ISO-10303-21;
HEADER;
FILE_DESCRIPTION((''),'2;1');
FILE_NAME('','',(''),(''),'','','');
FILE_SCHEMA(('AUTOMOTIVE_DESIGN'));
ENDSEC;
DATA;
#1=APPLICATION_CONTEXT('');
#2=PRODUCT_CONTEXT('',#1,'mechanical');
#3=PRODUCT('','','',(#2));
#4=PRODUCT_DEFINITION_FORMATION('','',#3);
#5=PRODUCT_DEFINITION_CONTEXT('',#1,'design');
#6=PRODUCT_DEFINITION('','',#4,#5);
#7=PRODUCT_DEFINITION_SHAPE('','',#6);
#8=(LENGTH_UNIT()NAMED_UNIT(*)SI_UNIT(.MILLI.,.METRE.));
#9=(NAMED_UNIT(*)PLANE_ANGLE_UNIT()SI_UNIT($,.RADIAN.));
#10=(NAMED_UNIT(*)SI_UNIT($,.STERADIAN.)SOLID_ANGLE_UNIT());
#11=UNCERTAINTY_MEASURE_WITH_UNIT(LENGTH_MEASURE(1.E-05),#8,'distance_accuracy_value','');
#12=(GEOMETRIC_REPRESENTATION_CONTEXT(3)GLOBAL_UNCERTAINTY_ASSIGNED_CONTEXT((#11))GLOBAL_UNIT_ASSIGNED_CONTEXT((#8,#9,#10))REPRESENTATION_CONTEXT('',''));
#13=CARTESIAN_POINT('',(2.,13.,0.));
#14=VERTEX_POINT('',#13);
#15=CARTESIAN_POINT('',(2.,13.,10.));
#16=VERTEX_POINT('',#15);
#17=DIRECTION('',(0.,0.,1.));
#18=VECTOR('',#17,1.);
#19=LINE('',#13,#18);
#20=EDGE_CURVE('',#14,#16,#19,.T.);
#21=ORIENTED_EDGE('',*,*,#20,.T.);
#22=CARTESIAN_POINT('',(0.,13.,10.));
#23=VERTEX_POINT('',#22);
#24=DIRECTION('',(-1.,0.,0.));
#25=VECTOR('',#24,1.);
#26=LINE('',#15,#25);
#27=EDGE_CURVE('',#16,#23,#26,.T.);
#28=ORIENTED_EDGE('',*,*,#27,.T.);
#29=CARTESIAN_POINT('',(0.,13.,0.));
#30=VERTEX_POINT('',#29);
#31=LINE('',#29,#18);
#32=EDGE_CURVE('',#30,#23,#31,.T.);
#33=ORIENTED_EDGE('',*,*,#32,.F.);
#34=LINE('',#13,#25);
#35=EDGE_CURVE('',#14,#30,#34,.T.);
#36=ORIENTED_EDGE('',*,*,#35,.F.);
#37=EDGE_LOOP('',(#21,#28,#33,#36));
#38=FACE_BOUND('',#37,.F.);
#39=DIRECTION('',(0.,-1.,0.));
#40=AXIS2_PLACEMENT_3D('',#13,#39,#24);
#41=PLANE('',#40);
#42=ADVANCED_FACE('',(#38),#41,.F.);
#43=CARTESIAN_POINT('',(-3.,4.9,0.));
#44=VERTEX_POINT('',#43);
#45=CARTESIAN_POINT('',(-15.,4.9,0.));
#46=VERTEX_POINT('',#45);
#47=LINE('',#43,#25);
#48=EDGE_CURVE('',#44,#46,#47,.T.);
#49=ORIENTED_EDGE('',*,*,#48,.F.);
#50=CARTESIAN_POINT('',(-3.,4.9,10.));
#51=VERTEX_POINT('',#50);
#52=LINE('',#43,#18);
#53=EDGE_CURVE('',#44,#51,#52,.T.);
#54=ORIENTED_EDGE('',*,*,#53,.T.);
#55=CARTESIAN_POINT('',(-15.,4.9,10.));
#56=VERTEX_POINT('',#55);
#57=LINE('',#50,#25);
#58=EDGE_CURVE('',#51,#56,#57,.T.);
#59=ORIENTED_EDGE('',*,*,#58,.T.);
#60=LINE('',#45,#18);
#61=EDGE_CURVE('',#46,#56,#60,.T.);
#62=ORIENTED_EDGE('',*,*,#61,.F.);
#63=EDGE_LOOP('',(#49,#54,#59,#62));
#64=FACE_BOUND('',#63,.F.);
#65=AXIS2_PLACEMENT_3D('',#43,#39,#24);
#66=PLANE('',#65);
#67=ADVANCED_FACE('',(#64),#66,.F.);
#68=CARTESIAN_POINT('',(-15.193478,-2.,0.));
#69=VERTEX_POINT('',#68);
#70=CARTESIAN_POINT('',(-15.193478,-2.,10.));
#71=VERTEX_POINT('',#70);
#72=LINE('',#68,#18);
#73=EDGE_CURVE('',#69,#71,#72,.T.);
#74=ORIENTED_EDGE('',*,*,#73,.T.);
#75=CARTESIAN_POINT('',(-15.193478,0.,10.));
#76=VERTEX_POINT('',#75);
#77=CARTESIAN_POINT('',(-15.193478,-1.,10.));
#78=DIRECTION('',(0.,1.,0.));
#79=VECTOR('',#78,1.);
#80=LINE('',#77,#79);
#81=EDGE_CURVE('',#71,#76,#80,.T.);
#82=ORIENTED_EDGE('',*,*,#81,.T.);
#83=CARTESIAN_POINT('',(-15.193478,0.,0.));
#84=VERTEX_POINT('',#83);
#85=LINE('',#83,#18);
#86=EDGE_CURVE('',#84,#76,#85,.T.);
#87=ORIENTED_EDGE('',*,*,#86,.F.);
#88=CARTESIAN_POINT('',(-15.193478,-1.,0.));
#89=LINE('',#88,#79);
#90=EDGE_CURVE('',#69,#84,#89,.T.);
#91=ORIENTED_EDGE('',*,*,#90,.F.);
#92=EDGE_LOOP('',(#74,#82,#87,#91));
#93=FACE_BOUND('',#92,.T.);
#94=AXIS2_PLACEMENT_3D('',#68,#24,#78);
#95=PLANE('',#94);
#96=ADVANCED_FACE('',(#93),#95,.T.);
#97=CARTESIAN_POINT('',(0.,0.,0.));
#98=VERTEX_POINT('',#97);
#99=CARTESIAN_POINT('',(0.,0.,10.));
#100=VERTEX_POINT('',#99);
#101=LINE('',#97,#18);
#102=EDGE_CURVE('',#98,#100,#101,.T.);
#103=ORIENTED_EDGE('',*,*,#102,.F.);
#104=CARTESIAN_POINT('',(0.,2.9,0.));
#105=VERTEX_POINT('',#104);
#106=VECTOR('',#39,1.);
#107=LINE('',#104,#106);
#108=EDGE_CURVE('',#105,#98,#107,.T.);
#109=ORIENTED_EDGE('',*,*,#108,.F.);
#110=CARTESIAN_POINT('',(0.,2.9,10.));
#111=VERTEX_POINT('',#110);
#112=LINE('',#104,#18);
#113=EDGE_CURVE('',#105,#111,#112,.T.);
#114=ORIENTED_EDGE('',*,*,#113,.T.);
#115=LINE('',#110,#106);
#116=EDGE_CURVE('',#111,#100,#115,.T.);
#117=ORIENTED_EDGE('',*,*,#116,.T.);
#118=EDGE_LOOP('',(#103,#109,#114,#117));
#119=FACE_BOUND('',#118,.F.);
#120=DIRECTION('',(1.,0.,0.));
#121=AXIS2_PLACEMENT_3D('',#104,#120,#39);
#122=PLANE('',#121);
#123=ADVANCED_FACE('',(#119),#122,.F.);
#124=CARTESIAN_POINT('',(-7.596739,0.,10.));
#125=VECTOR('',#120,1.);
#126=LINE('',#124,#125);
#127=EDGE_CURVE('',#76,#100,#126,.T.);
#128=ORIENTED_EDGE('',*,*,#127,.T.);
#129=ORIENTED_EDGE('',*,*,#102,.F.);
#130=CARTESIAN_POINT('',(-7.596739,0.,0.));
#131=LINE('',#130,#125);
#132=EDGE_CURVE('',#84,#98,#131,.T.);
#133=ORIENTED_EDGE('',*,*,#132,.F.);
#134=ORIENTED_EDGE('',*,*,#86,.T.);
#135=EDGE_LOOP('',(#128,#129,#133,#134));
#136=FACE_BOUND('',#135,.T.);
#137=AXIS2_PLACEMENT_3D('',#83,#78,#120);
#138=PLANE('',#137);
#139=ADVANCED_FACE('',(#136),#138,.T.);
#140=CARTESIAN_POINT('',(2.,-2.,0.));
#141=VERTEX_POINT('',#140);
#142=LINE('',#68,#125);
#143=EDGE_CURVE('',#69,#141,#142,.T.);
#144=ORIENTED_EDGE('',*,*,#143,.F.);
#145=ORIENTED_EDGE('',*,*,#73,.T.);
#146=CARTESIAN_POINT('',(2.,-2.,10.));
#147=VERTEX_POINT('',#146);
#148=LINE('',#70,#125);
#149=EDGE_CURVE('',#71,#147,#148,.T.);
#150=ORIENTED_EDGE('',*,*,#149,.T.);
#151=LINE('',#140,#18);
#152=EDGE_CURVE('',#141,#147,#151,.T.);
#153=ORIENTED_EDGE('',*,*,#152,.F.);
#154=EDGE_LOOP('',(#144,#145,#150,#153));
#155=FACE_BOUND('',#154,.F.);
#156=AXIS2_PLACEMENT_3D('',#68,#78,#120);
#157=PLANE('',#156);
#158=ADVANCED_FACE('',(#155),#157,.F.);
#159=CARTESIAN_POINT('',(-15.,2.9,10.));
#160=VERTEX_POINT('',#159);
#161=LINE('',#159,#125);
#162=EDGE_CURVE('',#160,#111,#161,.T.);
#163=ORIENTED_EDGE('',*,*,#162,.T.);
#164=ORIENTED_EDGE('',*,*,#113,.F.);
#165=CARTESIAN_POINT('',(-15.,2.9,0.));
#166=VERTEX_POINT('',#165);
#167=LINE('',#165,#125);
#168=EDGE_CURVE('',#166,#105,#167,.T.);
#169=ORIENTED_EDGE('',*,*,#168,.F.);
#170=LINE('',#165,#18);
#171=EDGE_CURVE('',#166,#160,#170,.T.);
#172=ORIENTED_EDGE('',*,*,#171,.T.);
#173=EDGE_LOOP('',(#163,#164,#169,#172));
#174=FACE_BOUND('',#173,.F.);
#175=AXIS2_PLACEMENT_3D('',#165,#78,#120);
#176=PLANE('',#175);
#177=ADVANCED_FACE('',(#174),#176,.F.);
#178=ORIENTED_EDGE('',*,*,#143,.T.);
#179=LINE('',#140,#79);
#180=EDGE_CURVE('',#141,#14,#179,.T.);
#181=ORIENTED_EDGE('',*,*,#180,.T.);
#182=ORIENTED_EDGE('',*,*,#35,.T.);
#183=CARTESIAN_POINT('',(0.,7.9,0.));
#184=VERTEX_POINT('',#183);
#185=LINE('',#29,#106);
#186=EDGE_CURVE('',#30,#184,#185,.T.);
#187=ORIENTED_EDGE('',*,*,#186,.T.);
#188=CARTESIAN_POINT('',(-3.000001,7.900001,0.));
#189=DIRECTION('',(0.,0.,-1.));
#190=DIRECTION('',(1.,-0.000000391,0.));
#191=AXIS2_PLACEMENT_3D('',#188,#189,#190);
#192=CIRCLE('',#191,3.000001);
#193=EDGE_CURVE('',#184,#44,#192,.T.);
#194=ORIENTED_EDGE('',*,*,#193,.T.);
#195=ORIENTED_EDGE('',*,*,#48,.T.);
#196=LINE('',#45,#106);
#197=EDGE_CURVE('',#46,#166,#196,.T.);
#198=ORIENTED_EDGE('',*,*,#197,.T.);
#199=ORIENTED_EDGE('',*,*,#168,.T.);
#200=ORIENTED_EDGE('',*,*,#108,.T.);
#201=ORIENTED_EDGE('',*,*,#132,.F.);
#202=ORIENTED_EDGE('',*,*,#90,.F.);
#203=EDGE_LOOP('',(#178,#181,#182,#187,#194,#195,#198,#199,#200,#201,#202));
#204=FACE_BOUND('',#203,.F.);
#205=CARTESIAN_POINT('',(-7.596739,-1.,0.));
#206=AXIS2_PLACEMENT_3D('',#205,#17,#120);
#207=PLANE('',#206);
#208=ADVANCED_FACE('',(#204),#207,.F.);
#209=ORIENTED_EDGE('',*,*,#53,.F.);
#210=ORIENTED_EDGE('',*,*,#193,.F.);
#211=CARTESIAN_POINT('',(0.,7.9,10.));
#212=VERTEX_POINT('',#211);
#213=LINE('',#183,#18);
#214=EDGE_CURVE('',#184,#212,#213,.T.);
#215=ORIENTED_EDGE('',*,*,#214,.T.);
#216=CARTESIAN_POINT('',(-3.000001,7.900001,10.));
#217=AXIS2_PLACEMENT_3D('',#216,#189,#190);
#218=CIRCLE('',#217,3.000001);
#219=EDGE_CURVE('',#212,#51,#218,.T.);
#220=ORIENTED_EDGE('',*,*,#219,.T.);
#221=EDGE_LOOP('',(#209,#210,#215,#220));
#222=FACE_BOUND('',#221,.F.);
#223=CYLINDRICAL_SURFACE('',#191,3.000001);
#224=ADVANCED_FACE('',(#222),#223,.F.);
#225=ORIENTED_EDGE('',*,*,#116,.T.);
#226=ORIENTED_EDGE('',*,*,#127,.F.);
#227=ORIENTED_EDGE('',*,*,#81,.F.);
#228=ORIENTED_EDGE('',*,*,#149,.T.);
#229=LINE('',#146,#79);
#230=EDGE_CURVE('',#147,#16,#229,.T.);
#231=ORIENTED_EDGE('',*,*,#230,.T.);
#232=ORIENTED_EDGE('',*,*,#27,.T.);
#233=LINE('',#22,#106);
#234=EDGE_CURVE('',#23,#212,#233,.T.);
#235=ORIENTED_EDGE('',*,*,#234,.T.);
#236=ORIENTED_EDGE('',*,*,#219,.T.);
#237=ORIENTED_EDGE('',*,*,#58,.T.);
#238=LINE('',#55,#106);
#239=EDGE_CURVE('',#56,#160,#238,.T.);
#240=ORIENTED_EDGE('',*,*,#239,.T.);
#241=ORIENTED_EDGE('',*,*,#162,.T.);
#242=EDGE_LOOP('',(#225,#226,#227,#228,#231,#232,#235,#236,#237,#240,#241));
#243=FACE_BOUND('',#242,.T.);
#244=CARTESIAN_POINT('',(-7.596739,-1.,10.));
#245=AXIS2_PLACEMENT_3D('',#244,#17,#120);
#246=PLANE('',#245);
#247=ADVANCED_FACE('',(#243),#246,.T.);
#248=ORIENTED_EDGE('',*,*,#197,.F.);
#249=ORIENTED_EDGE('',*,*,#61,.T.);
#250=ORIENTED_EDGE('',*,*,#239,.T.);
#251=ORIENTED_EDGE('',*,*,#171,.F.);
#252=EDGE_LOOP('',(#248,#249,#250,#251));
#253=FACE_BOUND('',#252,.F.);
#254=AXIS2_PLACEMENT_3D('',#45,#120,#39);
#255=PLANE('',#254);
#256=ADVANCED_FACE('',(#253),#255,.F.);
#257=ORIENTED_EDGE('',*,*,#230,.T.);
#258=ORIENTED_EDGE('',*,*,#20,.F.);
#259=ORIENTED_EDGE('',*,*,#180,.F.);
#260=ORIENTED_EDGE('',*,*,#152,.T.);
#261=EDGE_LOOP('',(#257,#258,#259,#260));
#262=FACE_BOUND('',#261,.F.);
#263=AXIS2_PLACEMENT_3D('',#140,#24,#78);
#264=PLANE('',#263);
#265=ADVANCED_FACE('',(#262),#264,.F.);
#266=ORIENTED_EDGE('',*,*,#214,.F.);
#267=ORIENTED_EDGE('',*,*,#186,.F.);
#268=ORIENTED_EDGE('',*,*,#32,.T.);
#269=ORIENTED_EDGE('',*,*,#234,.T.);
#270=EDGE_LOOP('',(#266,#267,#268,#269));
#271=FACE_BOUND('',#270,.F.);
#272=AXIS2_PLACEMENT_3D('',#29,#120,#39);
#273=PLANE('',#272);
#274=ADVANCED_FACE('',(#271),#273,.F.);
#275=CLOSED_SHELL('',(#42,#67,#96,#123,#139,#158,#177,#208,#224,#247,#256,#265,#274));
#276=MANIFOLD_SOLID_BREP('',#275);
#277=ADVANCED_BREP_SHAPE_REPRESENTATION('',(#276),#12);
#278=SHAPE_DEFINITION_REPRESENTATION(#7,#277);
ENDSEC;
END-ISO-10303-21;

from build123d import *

# Parameters (mm, degrees)
F0_W     = 15.193479
F0_H     = 2
F1_DEPTH = 10


with BuildPart() as f1:
    # F0 (on Top) → F1 (new body)
    with BuildSketch(Plane.XY):
        with Locations((-7.596739, -1)):
            Rectangle(F0_W, F0_H)
        with BuildLine():
            Line((0, 2.9), (0, 0))
            Line((0, 0), (0, -2))
            Line((0, -2), (2, -2))
            Line((2, -2), (2, 13))
            Line((2, 13), (0, 13))
            Line((0, 13), (0, 7.9))
            ThreePointArc((0, 7.9), (-0.87868, 5.77868), (-3, 4.9))
            Line((-3, 4.9), (-15, 4.9))
            Line((-15, 4.9), (-15, 2.9))
            Line((-15, 2.9), (0, 2.9))
        make_face()
    extrude(amount=F1_DEPTH)


solid = f1.part
